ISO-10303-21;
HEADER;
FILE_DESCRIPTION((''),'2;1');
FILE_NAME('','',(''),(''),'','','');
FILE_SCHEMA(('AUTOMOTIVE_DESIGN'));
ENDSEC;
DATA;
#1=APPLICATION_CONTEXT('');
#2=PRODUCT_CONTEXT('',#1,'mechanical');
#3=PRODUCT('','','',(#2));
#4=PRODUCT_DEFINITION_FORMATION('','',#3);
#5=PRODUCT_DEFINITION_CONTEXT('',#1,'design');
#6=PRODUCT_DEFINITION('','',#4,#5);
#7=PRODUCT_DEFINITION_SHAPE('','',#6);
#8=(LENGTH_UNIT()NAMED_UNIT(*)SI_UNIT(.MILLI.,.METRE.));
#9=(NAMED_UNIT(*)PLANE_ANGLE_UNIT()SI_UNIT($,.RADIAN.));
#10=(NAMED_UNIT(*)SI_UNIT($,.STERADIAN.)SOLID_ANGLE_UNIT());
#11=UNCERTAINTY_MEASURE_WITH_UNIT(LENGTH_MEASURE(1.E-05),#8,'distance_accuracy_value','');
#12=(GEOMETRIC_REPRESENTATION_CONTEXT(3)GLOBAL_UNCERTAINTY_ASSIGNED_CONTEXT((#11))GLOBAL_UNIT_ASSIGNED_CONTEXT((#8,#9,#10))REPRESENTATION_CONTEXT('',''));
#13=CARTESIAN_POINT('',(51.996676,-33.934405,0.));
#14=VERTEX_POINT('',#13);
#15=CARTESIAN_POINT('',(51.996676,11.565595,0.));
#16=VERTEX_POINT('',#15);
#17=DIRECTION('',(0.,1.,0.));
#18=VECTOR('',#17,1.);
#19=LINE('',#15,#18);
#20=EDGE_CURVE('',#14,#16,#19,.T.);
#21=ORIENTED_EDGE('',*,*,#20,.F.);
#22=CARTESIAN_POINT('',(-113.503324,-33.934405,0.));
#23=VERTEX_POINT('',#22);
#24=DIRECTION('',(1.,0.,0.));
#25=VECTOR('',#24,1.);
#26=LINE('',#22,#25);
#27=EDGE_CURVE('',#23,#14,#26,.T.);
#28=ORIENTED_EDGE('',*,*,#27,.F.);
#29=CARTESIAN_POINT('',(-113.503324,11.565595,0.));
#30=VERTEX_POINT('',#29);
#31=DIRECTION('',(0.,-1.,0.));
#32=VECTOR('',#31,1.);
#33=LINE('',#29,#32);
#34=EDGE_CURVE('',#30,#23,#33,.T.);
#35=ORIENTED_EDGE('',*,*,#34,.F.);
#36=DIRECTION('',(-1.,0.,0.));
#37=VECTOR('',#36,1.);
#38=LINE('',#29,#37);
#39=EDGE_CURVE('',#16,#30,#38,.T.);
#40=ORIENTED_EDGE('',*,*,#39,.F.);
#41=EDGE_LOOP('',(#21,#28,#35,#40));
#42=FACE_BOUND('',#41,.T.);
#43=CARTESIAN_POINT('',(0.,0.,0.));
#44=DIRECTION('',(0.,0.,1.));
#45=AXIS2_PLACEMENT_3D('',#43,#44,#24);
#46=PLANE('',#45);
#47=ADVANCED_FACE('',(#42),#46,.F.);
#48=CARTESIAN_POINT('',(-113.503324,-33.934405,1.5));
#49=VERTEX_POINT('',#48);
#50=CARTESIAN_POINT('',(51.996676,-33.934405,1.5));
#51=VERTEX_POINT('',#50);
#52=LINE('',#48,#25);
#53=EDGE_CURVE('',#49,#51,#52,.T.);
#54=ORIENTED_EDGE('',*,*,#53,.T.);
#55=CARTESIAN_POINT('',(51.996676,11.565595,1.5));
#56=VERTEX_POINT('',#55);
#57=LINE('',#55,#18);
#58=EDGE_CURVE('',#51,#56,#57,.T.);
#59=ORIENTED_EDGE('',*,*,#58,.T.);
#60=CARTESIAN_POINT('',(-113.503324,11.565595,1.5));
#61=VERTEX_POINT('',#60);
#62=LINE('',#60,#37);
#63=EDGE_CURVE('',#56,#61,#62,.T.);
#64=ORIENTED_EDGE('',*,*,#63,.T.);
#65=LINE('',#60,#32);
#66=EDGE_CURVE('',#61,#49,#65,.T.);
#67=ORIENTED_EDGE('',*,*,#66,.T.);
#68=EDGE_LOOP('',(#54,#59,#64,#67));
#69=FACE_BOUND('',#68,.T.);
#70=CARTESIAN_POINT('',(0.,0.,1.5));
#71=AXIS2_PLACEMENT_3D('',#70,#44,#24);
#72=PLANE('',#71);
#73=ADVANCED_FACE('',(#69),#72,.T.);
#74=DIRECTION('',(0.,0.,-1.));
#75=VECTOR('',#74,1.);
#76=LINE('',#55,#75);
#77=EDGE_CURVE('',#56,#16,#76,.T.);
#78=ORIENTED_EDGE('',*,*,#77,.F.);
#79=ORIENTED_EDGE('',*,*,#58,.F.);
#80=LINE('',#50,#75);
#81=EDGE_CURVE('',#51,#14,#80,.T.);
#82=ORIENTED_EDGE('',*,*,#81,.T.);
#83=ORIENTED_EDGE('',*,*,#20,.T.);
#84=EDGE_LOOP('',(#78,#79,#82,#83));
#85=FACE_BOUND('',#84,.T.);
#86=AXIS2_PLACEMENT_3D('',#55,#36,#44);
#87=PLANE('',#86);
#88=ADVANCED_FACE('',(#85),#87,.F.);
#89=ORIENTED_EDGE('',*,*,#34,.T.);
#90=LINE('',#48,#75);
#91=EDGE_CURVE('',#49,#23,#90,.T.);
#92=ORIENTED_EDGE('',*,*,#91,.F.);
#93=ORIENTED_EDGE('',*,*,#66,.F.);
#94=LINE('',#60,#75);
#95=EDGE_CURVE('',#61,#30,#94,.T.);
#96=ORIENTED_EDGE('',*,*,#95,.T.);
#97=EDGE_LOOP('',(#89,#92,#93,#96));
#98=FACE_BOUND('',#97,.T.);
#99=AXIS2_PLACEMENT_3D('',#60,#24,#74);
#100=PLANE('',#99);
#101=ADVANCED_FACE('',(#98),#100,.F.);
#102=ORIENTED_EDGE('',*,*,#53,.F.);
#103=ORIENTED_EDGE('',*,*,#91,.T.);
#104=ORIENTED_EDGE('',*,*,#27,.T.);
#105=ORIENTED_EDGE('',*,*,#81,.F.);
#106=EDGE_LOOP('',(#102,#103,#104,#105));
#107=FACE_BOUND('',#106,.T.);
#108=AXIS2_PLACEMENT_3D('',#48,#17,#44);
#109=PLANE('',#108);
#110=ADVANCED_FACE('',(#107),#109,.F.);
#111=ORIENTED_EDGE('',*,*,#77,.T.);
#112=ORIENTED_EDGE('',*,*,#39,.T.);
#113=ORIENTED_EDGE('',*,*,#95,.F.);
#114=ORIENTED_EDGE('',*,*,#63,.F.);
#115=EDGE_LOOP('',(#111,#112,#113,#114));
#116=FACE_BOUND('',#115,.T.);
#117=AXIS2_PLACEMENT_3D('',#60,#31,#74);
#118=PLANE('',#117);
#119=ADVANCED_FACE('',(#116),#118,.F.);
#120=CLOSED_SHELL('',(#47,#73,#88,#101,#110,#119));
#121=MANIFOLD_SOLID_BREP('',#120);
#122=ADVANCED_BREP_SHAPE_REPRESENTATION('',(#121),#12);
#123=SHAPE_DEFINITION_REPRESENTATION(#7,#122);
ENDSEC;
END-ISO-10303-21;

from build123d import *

# Parameters (mm, degrees)
SKETCH_1_W      = 165.5
SKETCH_1_H      = 45.5
EXTRUDE_1_DEPTH = 1.5


with BuildPart() as part:
    # 草图1 → 凸台-拉伸1 (new body)
    with BuildSketch(Plane.XY):
        with Locations((-30.753324334, -11.184405172)):
            Rectangle(SKETCH_1_W, SKETCH_1_H)
    extrude(amount=EXTRUDE_1_DEPTH)


solid = part.part
